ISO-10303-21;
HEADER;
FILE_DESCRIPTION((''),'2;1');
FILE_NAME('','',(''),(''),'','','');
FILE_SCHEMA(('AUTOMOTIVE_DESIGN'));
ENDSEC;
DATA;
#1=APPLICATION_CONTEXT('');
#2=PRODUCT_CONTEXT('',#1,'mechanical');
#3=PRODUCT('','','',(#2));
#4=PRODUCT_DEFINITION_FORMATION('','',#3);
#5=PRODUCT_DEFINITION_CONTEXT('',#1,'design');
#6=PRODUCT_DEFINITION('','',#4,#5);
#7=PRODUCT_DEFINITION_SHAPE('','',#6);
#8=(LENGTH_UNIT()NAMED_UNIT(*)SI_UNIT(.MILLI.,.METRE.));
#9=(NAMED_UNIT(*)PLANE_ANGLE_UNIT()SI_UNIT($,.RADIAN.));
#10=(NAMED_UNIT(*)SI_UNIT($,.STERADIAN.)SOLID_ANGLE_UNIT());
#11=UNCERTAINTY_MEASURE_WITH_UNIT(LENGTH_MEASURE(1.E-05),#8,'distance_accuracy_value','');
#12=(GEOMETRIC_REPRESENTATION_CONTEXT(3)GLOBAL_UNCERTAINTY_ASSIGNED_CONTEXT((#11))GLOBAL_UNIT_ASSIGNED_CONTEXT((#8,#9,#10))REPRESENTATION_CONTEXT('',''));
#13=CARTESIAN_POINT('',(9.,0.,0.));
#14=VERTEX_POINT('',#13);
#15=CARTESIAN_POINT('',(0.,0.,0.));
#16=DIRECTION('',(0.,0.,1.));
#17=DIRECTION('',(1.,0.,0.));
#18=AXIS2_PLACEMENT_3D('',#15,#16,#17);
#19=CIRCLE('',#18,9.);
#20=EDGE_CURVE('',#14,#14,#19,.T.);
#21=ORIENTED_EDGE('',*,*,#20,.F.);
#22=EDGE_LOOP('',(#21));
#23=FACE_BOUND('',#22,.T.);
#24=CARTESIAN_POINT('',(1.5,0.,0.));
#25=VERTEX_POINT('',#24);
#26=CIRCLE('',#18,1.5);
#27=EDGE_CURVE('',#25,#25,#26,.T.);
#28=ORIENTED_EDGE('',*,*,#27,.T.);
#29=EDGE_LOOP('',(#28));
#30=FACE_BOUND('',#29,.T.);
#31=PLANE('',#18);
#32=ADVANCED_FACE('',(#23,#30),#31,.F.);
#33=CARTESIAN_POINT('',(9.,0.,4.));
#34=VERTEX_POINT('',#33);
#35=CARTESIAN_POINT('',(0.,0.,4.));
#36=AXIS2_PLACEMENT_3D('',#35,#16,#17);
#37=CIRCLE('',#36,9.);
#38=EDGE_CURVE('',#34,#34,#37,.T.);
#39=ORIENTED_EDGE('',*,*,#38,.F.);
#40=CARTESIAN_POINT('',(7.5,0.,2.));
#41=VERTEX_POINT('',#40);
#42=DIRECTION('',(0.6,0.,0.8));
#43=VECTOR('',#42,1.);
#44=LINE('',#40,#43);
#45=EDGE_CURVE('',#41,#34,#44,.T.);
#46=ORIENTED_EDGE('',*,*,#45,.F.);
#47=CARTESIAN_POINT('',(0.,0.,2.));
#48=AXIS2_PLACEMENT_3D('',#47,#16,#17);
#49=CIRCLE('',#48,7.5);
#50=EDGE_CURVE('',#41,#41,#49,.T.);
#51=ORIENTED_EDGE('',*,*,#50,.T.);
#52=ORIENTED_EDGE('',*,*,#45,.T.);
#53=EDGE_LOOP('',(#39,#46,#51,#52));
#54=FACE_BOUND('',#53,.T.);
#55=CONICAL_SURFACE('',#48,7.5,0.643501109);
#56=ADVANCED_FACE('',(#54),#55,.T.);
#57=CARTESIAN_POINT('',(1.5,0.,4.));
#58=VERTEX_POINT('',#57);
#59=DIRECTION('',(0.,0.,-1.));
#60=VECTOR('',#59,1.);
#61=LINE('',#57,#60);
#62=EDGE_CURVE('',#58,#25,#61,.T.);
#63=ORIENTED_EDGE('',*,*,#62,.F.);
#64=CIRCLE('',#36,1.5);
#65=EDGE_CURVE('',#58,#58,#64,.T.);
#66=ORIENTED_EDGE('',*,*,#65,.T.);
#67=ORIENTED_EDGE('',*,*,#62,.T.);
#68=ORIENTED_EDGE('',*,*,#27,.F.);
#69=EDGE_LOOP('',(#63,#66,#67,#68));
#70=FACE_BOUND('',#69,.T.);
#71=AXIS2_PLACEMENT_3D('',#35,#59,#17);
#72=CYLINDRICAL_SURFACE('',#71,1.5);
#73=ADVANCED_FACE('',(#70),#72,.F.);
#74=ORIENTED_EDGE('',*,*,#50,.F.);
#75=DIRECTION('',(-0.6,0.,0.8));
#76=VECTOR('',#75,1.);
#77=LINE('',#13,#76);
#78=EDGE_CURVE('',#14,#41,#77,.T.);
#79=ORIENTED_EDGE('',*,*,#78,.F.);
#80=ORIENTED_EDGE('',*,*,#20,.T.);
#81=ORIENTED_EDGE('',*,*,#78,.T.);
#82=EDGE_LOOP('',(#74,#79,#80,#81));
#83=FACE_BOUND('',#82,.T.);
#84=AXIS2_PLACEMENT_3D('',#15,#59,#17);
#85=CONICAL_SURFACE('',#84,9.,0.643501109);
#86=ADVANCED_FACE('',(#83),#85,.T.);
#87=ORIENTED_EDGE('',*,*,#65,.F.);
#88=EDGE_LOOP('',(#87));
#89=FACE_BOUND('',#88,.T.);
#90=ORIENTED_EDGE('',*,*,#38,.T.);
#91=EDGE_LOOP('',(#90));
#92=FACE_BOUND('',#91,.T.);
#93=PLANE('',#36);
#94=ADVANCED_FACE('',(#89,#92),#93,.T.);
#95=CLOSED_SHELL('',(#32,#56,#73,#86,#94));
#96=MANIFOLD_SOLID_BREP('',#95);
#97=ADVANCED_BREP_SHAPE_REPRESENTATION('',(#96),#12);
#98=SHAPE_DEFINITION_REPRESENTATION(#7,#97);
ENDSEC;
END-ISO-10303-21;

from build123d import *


with BuildPart() as part:
    # Sketch → Revolution (revolve)
    with BuildSketch(Plane.XZ):
        Polygon((1.5, 0), (9, 0), (7.5, 2), (9, 4), (1.5, 4), align=None)
    revolve(axis=Axis((0, 0, 0), (0, 0, 1)))


solid = part.part
